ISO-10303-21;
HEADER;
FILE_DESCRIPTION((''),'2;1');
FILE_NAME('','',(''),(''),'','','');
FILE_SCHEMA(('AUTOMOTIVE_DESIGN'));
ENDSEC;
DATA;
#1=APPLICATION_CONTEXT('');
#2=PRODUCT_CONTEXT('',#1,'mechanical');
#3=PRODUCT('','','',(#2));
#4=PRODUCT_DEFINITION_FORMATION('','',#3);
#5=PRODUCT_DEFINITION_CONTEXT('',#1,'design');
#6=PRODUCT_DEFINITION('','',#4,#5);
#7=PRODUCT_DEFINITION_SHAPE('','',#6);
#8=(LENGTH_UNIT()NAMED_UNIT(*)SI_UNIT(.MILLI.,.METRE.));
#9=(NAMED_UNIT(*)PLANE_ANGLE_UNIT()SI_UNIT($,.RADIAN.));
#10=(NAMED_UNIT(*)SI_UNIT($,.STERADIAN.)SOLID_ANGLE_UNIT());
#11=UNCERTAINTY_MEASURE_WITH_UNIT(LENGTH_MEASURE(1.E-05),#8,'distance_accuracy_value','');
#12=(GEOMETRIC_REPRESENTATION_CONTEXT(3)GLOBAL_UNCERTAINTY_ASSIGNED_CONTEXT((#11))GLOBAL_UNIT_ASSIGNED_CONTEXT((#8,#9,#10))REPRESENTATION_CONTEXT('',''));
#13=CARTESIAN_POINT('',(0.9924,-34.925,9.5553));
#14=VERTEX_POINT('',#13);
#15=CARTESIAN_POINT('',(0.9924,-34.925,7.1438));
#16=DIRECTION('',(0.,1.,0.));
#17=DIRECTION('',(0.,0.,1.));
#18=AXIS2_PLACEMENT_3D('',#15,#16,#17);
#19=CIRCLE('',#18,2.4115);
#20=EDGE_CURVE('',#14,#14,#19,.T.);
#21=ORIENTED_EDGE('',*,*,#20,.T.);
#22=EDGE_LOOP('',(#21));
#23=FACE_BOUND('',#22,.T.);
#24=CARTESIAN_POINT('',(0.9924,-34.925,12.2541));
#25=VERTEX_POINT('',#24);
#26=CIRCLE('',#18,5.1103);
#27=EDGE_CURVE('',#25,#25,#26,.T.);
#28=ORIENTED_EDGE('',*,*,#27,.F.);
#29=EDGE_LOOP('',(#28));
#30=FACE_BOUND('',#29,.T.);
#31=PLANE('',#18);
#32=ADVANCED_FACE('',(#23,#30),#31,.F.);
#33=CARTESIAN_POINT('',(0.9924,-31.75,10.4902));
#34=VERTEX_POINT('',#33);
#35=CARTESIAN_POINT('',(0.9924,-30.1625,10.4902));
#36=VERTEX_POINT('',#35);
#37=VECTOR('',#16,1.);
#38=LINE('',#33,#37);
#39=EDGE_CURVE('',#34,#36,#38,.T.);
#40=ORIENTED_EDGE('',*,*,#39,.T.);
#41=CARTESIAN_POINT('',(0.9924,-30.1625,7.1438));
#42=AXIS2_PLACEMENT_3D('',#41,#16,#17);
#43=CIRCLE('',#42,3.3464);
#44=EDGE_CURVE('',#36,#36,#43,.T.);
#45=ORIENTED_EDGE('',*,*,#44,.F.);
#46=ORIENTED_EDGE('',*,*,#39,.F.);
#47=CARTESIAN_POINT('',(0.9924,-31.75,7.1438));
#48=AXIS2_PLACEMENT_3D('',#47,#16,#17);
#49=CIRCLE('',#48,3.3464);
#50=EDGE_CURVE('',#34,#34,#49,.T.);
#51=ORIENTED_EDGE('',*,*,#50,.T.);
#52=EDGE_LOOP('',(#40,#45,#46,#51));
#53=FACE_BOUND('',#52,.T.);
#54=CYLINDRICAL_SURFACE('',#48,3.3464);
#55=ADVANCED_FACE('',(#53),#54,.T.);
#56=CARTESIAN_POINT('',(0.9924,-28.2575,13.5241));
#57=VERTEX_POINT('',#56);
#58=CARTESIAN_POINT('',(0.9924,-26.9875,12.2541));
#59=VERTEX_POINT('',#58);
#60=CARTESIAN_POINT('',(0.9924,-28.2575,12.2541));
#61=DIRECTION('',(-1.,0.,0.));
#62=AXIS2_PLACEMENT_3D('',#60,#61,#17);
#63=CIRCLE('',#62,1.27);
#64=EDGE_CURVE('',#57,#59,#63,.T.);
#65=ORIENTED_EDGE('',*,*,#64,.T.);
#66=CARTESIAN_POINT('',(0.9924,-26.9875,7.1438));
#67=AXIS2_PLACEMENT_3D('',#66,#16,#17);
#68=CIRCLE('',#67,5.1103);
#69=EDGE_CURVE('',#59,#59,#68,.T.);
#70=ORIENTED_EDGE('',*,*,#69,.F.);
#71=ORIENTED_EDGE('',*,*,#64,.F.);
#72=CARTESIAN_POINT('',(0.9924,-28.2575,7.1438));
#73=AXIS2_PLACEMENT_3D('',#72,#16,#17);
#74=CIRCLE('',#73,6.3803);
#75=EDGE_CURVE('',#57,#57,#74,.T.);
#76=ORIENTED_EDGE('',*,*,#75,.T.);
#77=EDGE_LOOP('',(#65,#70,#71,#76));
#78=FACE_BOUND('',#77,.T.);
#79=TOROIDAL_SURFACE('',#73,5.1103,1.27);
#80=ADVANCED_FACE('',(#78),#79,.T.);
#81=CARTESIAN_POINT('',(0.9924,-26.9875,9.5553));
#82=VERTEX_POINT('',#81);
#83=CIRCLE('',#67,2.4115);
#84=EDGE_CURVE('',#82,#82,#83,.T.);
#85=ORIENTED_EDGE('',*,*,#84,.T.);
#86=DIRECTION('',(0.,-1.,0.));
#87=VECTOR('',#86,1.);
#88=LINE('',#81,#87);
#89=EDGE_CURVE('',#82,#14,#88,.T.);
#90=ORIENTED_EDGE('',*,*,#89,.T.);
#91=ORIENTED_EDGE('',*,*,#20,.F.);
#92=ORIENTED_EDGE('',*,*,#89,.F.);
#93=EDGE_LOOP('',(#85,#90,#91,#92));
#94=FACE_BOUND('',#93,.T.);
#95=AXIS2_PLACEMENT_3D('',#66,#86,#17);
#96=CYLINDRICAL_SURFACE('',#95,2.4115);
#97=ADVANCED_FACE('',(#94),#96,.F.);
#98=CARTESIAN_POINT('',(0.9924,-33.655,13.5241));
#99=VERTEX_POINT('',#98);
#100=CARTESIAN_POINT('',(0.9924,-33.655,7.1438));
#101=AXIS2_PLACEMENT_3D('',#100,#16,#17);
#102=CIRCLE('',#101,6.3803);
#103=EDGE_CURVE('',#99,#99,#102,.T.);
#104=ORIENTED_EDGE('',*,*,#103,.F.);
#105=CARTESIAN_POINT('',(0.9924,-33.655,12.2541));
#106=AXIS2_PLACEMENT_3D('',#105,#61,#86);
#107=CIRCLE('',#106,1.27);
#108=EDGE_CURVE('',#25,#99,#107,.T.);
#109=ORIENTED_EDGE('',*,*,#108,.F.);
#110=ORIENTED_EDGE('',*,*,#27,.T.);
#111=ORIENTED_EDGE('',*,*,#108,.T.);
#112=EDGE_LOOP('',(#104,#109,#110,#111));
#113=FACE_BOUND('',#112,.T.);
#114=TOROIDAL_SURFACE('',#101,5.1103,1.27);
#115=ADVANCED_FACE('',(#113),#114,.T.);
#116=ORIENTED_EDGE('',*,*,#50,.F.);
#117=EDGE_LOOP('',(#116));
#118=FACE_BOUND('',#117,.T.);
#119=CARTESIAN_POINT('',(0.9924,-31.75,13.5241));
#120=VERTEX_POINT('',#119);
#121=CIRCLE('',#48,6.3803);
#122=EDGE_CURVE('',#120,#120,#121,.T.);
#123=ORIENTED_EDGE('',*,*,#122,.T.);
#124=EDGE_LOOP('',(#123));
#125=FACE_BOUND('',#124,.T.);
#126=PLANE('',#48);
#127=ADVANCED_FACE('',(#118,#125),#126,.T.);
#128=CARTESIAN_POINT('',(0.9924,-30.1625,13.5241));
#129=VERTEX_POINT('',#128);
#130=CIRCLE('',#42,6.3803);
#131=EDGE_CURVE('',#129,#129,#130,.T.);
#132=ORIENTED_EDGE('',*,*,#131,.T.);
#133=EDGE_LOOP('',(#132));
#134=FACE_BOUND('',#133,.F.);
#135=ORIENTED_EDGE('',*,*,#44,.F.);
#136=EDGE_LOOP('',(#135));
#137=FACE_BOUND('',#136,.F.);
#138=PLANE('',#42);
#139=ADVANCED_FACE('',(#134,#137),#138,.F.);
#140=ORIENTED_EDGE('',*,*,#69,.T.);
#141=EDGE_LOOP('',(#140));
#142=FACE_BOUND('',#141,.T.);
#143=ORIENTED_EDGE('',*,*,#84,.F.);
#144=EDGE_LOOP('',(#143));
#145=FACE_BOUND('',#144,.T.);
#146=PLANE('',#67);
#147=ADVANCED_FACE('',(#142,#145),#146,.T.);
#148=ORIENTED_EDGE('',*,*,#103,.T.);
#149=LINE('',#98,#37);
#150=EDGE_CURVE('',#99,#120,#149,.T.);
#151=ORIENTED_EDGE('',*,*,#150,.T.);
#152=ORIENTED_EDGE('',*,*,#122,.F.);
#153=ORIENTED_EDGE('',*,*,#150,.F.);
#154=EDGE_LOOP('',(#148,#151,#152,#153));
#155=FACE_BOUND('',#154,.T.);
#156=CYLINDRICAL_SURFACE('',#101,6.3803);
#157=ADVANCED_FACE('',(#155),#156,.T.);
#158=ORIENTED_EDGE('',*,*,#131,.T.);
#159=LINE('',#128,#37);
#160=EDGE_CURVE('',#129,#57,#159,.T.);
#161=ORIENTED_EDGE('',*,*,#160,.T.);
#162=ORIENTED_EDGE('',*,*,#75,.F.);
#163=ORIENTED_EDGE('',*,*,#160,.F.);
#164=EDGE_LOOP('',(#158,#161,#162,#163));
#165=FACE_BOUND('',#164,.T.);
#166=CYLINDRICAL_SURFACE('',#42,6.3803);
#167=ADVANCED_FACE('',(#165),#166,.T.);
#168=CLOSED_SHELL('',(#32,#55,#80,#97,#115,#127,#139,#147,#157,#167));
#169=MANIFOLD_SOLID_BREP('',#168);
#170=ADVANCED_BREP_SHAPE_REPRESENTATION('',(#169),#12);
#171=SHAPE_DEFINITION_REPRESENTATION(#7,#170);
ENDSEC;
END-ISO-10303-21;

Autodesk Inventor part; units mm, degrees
ref_plane "YZ Plane" through (0, 0, 0) normal (1, 0, 0) x (0, 1, 0)
ref_plane "XZ Plane" through (0, 0, 0) normal (0, 1, 0) x (-1, 0, 0)
ref_plane "XY Plane" through (0, 0, 0) normal (0, 0, 1) x (1, 0, 0)
ref_plane "Work Plane2" through (0.9924, -30.1625, 6.35) normal (-1, 0, 0) x (0, -1, 0)
sketch "Sketch2" plane through (0.9924, -30.1625, 6.35) normal (-1, 0, 0) x (0, -1, 0)
  line L0 (0, -5.5563) -> (0, 3.175) projected
  line L1 (1.5875, -7.1437) -> (1.5875, 3.175) projected
  line L2 (0, 7.1741) -> (-1.905, 7.1741)
  line L3 (-3.175, 5.9041) -> (-3.175, 3.2053)
  arc A0 (-1.905, 7.1741) -> (-3.175, 5.9041) centre (-1.905, 5.9041) ccw
  line L4 (12.0631, 0.7938) -> (-37.2001, 0.7938) projected
  line L5 (-3.175, 3.2053) -> (4.7625, 3.2053)
  line L6 (4.7625, 3.2053) -> (4.7625, 5.9041)
  line L7 (3.4925, 7.1741) -> (1.5875, 7.1741)
  arc A1 (4.7625, 5.9041) -> (3.4925, 7.1741) centre (3.4925, 5.9041) ccw
  line L8 (1.5875, 4.1402) -> (0, 4.1402)
  line L9 (0, 7.1741) -> (0, 4.1402)
  line L10 (1.5875, 7.1741) -> (1.5875, 4.1402)
  point P0 (-30.1625, -6.35)
  point P1 (0, 2.5527)
  point P2 (0, 2.0373)
  point P3 (1.5875, 2.5527)
  dimension "d0" = 1.27
  dimension "d2" = 1.27
  dimension "d4" = 3.9688
  dimension "d5" = 7.9375
revolve "Revolution1" add sketch "Sketch2" angle 360 about axis through (0.9924, -20.447, 7.1438) along (0, 1, 0)
ref_plane "Work Plane3" through (0.9924, -30.9563, 7.1438) normal (0, 0, -1) x (0, -1, 0)
properties part number "Pneumatic_VIAIAR_00090_05"
